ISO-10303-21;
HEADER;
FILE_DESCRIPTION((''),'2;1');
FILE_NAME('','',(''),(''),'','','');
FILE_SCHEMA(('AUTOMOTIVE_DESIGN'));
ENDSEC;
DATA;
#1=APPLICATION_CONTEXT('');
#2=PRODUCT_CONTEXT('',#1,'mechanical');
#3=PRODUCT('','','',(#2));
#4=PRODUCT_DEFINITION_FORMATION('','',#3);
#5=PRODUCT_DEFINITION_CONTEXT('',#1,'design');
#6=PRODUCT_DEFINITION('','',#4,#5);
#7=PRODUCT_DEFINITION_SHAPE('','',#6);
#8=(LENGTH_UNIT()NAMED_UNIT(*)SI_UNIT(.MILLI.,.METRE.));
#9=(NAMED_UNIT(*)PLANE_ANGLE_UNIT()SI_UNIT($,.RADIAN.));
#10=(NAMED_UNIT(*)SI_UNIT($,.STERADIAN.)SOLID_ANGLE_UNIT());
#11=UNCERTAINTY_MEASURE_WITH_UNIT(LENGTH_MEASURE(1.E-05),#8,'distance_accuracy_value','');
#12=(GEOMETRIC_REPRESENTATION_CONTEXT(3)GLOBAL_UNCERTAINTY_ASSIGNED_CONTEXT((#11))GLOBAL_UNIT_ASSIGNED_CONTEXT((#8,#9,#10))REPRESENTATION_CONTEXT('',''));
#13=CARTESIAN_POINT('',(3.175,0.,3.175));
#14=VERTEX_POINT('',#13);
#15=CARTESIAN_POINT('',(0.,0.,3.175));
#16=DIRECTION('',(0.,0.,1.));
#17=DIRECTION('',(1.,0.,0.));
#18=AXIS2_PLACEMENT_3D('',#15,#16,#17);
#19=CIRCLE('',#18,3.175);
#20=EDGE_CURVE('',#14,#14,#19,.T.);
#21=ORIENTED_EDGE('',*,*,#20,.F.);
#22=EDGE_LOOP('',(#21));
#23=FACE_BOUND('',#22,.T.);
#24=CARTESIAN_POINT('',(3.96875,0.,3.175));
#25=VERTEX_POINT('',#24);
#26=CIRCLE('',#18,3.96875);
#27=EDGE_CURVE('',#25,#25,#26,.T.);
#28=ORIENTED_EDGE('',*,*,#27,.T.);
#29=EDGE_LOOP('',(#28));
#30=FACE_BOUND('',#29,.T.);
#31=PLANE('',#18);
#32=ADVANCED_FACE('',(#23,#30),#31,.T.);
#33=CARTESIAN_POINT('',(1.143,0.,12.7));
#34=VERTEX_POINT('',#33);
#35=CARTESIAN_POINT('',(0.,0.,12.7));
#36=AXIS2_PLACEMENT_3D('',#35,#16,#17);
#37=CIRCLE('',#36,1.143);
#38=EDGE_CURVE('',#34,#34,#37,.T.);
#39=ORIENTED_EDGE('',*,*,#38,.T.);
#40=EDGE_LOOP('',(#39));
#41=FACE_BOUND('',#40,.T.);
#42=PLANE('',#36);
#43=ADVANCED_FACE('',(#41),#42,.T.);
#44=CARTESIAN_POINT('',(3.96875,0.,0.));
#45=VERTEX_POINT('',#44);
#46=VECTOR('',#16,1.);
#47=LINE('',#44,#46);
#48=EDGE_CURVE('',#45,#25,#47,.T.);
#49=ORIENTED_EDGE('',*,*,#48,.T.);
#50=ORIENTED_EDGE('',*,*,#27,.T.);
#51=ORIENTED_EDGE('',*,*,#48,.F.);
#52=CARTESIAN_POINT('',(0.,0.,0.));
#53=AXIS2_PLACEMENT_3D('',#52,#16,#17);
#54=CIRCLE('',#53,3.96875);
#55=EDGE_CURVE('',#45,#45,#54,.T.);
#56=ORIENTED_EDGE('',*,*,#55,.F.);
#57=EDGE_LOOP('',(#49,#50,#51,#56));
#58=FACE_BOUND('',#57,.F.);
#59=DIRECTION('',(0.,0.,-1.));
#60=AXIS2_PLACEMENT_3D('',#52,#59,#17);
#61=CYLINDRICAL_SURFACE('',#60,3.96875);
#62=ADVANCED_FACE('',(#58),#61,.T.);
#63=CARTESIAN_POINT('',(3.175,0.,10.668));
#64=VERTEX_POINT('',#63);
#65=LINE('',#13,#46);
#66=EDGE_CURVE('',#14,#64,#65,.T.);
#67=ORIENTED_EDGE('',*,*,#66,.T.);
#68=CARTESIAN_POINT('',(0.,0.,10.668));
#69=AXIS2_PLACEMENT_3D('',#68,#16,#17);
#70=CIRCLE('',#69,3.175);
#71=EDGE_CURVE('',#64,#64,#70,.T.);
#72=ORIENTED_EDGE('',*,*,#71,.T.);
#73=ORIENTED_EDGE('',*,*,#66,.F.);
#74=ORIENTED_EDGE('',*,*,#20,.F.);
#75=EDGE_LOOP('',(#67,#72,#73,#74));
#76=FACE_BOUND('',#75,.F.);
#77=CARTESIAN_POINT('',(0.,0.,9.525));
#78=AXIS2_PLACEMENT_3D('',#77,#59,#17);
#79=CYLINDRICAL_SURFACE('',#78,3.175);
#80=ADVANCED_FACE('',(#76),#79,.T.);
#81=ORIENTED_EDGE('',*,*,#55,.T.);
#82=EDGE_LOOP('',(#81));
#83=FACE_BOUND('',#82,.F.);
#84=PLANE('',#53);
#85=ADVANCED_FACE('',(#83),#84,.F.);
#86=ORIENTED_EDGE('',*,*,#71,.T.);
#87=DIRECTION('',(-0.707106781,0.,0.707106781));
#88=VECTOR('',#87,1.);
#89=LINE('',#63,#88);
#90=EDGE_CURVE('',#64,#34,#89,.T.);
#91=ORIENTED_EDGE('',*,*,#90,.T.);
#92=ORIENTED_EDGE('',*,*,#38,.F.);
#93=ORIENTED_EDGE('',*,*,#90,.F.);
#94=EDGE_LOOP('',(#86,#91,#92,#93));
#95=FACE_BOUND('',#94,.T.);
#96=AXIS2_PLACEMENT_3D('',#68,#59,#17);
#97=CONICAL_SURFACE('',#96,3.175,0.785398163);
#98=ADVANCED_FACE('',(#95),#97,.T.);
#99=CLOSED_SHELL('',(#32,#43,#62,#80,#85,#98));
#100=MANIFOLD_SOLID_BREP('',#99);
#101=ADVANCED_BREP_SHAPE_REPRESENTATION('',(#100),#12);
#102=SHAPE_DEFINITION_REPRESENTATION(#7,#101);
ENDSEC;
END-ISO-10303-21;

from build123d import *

# Parameters (mm, degrees)
SKETCH_R     = 3.96875
PAD_DEPTH    = 3.175
SKETCH001_R  = 3.175
PAD001_DEPTH = 6.35
SKETCH002_R  = 3.175
PAD002_DEPTH = 3.175
CHAMFER_SIZE = 2.032


with BuildPart() as part:
    # Sketch → Pad (new body)
    with BuildSketch(Plane.XY):
        Circle(SKETCH_R)
    extrude(amount=PAD_DEPTH)

    # Sketch001 → Pad001 (new body)
    with BuildSketch(Plane.XY.offset(3.175)):
        Circle(SKETCH001_R)
    extrude(amount=PAD001_DEPTH)

    # Sketch002 → Pad002 (new body)
    with BuildSketch(Plane.XY.offset(9.525)):
        Circle(SKETCH002_R)
    extrude(amount=PAD002_DEPTH)

    # Chamfer
    chamfer_edges = [part.edges().sort_by_distance(p)[0] for p in [
        (-3.175, 0, 9.525),
        (-3.175, 0, 12.7),
    ]]
    chamfer(chamfer_edges, length=CHAMFER_SIZE)


solid = part.part
